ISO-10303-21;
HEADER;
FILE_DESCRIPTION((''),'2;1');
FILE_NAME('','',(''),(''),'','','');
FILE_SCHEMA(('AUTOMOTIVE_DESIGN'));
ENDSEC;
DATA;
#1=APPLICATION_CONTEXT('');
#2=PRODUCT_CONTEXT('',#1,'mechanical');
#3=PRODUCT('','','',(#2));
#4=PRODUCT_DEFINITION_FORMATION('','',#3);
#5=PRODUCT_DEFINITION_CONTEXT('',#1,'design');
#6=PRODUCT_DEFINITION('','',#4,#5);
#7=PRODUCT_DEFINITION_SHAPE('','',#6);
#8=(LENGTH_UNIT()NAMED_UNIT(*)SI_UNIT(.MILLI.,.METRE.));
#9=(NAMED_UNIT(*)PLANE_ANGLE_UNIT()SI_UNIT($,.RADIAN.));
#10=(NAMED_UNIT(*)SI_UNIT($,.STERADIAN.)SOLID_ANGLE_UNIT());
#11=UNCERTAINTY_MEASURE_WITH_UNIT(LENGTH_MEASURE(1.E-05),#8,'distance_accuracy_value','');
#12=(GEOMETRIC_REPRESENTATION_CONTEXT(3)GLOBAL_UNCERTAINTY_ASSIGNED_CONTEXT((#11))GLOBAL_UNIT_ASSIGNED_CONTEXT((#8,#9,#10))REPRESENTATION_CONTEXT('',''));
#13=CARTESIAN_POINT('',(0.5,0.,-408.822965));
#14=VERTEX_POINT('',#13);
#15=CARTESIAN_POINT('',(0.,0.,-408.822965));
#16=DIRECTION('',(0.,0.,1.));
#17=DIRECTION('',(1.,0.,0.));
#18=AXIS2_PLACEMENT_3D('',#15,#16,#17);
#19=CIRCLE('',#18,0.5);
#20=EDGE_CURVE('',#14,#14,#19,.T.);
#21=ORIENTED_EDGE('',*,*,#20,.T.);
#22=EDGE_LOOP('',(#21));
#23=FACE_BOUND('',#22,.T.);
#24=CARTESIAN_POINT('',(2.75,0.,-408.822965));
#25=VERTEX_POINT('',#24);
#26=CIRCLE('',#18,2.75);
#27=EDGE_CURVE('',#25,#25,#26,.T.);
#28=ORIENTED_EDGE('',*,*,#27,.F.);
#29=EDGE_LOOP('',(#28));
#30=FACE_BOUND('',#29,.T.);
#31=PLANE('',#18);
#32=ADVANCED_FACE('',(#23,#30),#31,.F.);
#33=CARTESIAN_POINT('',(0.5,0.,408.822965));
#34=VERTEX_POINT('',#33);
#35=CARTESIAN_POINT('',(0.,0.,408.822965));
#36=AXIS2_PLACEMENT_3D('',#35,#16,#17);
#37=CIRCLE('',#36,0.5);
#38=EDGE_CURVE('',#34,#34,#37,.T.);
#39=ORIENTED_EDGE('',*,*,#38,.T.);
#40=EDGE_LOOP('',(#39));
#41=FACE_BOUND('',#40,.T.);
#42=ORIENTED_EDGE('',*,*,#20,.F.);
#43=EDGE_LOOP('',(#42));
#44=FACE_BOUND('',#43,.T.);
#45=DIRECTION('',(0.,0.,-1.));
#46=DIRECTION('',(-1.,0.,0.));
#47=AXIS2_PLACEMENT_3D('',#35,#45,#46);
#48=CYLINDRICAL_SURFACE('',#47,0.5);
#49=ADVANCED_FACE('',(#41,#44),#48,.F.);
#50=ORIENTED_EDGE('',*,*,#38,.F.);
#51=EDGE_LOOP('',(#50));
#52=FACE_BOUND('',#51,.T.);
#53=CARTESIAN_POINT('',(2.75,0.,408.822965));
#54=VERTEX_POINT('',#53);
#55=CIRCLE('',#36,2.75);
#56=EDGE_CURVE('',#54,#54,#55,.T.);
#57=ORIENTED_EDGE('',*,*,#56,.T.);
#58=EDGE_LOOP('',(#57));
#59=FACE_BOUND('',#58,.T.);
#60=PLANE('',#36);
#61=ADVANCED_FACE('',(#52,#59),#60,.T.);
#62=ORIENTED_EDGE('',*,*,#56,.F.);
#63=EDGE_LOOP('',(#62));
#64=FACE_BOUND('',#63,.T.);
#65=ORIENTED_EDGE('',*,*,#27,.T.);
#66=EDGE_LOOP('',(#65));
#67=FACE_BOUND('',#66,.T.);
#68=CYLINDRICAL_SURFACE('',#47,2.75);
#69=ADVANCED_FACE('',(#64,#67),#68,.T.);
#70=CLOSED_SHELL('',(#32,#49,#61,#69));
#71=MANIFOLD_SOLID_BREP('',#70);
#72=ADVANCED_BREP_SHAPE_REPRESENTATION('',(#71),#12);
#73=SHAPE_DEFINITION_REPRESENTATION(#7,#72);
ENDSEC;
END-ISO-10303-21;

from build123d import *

# Parameters (mm, degrees)
SKETCH2_R           = 2.75
SKETCH2_R_2         = 0.5
BOSS_EXTRUDE1_DEPTH = 408.822965


with BuildPart() as part:
    # Sketch2 → Boss-Extrude1 (new, symmetric)
    with BuildSketch(Plane.XY):
        Circle(SKETCH2_R)
        Circle(SKETCH2_R_2, mode=Mode.SUBTRACT)
    extrude(amount=BOSS_EXTRUDE1_DEPTH, both=True)


solid = part.part
